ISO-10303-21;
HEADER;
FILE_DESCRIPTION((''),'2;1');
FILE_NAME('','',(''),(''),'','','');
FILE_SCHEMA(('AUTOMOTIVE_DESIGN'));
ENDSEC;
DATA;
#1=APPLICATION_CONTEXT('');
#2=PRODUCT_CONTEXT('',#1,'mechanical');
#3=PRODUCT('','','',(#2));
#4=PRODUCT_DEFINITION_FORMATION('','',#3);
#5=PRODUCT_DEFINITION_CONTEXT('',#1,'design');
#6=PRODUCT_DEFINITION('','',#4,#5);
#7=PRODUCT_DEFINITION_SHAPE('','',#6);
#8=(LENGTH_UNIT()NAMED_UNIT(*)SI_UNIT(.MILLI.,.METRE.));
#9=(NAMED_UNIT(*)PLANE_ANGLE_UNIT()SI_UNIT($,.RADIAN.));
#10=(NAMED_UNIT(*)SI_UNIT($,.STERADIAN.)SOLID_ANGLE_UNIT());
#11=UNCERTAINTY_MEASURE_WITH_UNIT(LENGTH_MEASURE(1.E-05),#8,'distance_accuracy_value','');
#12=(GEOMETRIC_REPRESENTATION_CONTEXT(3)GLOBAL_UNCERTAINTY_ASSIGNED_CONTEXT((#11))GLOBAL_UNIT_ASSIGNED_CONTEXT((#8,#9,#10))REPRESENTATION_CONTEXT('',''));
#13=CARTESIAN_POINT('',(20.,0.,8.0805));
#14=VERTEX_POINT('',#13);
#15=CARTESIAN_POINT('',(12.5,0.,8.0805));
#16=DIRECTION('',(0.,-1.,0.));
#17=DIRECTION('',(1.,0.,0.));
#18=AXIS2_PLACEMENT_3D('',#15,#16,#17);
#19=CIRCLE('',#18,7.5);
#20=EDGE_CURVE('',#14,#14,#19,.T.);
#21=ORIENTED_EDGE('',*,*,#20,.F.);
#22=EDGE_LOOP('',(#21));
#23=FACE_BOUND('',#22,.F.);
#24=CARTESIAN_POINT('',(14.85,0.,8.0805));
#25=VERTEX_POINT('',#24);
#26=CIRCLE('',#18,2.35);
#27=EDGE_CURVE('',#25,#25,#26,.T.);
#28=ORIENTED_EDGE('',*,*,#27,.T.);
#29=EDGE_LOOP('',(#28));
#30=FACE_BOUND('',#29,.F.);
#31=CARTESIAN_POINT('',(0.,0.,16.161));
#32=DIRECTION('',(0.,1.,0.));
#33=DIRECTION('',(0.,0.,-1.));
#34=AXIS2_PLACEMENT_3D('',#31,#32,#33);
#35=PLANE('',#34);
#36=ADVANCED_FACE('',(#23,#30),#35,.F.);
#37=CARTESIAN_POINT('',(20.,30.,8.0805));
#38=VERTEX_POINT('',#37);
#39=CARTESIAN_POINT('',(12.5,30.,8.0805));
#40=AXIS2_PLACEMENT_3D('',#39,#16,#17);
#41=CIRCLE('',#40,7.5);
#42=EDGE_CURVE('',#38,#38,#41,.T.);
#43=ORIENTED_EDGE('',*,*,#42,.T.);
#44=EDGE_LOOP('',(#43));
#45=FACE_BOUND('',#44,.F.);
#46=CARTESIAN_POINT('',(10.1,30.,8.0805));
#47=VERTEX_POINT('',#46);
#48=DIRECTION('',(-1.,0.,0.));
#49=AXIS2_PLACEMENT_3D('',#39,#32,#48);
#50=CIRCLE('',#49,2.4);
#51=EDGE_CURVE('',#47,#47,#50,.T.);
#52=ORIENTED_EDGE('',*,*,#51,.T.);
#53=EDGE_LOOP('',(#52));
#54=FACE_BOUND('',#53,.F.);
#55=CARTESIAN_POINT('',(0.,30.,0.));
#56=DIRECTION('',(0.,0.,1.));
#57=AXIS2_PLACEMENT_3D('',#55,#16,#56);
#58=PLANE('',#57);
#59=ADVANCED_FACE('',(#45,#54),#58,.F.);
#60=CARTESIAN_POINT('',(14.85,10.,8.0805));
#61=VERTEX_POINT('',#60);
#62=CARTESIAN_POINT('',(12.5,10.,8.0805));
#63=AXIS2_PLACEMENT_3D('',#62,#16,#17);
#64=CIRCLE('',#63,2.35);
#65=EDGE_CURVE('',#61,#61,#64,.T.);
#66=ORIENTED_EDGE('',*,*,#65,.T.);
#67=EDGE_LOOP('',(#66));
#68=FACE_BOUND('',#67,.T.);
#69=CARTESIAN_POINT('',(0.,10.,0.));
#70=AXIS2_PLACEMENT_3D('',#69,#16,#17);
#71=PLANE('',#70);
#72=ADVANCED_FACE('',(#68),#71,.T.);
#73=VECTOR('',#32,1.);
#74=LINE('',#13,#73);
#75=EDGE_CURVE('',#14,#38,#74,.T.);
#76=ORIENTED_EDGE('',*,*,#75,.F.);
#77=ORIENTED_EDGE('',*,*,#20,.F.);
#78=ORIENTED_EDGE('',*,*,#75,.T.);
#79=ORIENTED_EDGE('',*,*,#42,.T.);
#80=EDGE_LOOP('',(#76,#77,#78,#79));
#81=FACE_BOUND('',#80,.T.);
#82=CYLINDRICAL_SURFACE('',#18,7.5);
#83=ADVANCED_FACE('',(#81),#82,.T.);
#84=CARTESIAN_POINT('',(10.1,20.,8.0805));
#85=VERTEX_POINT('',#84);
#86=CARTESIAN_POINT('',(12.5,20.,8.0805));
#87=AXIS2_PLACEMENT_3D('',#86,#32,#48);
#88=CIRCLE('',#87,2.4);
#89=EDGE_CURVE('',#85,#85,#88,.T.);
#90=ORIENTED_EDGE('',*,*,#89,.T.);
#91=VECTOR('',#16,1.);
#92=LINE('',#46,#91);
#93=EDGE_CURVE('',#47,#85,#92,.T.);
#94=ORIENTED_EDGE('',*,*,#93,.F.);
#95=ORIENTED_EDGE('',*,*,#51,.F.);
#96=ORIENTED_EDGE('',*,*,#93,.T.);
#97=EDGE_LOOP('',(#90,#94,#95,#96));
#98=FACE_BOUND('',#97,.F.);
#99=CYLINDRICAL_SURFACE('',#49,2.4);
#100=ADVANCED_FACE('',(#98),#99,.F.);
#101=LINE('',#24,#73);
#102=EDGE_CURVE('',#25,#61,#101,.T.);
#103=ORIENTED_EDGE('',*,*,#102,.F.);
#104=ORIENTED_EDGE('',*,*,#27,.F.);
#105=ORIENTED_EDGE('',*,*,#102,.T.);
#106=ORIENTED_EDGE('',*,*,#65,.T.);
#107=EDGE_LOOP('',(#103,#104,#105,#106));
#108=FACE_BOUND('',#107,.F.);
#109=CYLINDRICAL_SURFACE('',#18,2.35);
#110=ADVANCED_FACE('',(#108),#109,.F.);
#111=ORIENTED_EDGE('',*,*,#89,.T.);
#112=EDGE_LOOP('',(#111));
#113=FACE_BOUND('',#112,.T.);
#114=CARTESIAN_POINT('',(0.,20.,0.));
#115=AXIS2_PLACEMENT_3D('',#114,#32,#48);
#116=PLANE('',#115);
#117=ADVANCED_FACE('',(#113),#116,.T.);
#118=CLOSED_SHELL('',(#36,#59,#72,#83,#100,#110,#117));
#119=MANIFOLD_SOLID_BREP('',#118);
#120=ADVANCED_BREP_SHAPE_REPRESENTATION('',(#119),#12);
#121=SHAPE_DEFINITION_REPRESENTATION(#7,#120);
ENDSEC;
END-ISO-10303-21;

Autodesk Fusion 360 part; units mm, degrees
sketch "Sketch1" plane through (0, 0, 0) normal (1, 0, 0) x (0, 1, 0)
  line L0 (0, 0) -> (30, 0)
  line L1 (30, 0) -> (30, 16.161)
  line L2 (30, 16.161) -> (0, 16.161)
  line L3 (0, 16.161) -> (0, 0)
  line L4 (15, 0) -> (15, 16.161)
  dimension "d1" = 30
extrude "Extrude1" add sketch "Sketch1" along normal blind 25
sketch "Sketch2" plane through (0, 0, 0) normal (0, -1, 0) x (1, 0, 0)
  line L0 (0, 16.161) -> (0, 0)
  line L1 (0, 0) -> (25, 0)
  line L2 (25, 0) -> (25, 16.161)
  line L3 (25, 16.161) -> (0, 16.161)
  circle A0 centre (12.5, 8.0805) radius 2.35
  dimension "d4" = 4.7
sketch "Sketch3" plane through (0, 0, 0) normal (0, -1, 0) x (1, 0, 0)
sketch "Sketch4" plane through (0, 30, 0) normal (0, 1, 0) x (-1, 0, 0)
  line L0 (0, 0) -> (0, 16.161)
  line L1 (0, 16.161) -> (-25, 16.161)
  line L2 (-25, 16.161) -> (-25, 0)
  line L3 (-25, 0) -> (0, 0)
  circle A0 centre (-12.5, 8.0805) radius 2.4
  dimension "d5" = 4.8
extrude "Extrude2" cut sketch "Sketch4" against normal blind 10 contours A0
extrude "Extrude3" cut sketch "Sketch2" against normal blind 10 contours A0
sketch "Sketch5" plane through (0, 0, 0) normal (0, -1, 0) x (1, 0, 0)
  circle A0 centre (12.5, 8.0805) radius 2.35
  line L0 (0, 16.161) -> (0, 0)
  line L1 (0, 0) -> (25, 0)
  line L2 (25, 0) -> (25, 16.161)
  line L3 (25, 16.161) -> (0, 16.161)
  circle A1 centre (12.5, 8.0805) radius 7.5
  dimension "d10" = 15
extrude "Extrude4" cut sketch "Sketch5" against normal blind 45 contours L0 L1 L2 L3
